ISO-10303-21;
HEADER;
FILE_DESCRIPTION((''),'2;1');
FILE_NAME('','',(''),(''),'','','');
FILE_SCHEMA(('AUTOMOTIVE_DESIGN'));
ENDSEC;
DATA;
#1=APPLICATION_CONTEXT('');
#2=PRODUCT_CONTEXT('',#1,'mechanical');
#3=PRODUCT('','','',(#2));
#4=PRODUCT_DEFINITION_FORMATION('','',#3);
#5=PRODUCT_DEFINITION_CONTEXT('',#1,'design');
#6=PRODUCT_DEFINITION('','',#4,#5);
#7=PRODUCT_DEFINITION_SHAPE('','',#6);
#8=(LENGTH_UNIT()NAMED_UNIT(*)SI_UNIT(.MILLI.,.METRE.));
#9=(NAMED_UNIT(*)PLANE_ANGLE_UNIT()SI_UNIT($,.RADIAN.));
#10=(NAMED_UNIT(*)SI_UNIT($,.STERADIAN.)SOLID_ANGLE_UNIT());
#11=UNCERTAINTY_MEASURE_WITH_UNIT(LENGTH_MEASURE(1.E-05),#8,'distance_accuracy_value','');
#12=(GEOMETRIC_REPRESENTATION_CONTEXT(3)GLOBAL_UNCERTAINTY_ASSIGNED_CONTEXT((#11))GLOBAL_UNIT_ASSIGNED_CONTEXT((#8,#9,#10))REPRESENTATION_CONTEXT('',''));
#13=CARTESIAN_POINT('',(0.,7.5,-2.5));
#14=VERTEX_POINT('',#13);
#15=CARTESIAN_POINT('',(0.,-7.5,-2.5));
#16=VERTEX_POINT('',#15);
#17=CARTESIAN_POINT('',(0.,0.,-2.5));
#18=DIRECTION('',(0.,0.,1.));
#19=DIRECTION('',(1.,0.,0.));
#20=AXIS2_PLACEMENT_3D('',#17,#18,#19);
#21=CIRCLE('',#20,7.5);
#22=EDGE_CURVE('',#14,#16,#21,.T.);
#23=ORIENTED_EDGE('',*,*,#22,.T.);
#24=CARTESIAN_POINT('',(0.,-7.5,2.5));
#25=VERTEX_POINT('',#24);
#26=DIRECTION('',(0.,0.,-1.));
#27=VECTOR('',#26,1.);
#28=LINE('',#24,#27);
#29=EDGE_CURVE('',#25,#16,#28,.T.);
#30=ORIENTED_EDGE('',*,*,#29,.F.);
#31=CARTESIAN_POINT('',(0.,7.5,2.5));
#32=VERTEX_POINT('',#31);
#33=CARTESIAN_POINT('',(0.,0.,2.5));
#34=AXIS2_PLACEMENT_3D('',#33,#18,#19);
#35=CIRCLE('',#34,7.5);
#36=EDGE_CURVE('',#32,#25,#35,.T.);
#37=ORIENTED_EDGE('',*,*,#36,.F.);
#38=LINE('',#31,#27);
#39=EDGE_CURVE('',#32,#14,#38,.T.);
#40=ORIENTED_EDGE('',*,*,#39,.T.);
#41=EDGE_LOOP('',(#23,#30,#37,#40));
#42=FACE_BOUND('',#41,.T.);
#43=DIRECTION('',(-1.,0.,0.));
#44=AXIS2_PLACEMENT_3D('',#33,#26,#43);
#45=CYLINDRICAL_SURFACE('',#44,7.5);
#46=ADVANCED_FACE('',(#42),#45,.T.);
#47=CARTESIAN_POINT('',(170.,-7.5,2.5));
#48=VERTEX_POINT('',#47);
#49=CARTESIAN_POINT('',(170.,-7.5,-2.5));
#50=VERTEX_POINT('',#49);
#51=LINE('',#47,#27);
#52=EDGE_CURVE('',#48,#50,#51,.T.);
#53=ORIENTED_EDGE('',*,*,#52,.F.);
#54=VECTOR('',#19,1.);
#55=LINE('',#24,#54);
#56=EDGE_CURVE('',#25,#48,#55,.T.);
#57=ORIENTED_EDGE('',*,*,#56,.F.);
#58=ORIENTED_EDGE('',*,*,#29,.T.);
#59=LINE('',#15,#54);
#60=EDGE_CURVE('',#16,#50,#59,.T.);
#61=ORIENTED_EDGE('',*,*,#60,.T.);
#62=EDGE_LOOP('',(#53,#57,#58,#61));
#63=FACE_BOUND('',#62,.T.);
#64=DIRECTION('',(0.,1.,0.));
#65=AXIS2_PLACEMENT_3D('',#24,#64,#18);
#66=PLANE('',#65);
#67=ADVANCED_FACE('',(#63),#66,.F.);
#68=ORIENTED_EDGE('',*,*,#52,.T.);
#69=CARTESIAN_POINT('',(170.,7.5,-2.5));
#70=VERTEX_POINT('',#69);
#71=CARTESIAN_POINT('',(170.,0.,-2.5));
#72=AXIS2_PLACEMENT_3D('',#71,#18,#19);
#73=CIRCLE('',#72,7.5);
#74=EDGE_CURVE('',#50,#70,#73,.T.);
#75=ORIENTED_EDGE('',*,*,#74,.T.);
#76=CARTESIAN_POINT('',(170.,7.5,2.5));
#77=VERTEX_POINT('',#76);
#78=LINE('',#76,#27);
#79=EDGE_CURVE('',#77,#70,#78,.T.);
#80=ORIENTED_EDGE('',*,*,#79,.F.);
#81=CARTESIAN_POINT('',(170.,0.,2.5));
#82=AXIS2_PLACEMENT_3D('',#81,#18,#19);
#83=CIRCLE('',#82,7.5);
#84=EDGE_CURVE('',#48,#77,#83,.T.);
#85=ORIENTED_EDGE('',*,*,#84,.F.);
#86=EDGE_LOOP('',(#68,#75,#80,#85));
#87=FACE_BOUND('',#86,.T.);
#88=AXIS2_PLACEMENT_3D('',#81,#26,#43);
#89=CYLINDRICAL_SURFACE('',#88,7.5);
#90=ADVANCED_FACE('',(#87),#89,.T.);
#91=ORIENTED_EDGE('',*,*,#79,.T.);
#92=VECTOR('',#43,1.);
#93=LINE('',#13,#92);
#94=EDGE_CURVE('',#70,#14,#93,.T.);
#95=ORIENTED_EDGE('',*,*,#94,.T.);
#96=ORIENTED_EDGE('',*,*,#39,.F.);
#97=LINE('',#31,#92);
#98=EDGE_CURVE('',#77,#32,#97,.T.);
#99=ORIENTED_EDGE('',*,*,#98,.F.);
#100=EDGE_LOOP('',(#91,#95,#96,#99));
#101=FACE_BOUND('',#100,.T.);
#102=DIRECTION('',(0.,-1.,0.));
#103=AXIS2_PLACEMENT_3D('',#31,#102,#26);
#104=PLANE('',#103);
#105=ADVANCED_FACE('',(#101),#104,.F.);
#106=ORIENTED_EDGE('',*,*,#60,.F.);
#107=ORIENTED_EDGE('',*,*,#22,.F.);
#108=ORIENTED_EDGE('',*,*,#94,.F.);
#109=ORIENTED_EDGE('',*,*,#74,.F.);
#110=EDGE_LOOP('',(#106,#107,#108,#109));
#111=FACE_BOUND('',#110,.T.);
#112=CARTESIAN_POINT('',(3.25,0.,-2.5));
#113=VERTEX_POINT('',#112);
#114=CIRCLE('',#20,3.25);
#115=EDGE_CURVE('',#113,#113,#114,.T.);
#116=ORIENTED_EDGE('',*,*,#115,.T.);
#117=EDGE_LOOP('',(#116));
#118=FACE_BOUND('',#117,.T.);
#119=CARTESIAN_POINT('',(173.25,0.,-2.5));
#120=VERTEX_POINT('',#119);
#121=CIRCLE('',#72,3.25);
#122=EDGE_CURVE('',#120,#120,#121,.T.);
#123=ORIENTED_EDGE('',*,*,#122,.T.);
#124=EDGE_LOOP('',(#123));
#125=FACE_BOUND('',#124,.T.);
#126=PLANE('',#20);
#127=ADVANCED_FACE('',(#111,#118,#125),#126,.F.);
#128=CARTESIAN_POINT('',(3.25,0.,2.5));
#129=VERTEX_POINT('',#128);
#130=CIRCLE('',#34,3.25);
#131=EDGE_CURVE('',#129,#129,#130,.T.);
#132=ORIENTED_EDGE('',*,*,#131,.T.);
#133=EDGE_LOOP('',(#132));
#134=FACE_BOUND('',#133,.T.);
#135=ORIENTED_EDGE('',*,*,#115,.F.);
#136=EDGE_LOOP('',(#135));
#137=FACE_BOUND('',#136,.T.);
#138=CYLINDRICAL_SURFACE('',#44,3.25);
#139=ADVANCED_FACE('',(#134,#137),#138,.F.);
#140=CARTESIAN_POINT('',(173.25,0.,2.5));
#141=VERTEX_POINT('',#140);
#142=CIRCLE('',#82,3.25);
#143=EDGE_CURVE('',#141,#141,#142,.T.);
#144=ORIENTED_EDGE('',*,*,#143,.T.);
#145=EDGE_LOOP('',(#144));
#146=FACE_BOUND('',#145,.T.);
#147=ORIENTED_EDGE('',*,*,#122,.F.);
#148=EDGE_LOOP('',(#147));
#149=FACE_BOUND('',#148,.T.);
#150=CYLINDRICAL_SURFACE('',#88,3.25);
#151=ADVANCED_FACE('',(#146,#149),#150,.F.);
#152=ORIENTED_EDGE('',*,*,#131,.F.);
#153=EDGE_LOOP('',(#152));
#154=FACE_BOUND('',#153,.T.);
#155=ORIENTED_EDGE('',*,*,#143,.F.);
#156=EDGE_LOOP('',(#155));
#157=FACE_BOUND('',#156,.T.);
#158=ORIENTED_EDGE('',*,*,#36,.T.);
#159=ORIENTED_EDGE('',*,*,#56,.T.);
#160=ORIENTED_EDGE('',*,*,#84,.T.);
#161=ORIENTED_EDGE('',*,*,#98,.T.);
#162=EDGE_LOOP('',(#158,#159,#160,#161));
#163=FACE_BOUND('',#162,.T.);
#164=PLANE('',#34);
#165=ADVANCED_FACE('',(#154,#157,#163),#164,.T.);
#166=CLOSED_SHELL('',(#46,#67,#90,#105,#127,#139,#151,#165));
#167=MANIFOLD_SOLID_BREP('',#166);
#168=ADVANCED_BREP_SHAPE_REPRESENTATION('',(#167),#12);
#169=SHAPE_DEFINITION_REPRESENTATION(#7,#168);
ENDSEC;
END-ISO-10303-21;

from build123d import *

# Parameters (mm, degrees)
SKETCH1_R           = 3.25
BOSS_EXTRUDE1_DEPTH = 2.5


with BuildPart() as part:
    # Sketch1 → Boss-Extrude1 (new, symmetric)
    with BuildSketch(Plane.XY):
        with BuildLine():
            Line((0, 7.5), (170, 7.5))
            ThreePointArc((170, 7.5), (177.5, 0), (170, -7.5))
            Line((170, -7.5), (0, -7.5))
            ThreePointArc((0, -7.5), (-7.5, 0), (0, 7.5))
        make_face()
        Circle(SKETCH1_R, mode=Mode.SUBTRACT)
        with Locations((170, 0)):
            Circle(SKETCH1_R, mode=Mode.SUBTRACT)
    extrude(amount=BOSS_EXTRUDE1_DEPTH, both=True)


solid = part.part
